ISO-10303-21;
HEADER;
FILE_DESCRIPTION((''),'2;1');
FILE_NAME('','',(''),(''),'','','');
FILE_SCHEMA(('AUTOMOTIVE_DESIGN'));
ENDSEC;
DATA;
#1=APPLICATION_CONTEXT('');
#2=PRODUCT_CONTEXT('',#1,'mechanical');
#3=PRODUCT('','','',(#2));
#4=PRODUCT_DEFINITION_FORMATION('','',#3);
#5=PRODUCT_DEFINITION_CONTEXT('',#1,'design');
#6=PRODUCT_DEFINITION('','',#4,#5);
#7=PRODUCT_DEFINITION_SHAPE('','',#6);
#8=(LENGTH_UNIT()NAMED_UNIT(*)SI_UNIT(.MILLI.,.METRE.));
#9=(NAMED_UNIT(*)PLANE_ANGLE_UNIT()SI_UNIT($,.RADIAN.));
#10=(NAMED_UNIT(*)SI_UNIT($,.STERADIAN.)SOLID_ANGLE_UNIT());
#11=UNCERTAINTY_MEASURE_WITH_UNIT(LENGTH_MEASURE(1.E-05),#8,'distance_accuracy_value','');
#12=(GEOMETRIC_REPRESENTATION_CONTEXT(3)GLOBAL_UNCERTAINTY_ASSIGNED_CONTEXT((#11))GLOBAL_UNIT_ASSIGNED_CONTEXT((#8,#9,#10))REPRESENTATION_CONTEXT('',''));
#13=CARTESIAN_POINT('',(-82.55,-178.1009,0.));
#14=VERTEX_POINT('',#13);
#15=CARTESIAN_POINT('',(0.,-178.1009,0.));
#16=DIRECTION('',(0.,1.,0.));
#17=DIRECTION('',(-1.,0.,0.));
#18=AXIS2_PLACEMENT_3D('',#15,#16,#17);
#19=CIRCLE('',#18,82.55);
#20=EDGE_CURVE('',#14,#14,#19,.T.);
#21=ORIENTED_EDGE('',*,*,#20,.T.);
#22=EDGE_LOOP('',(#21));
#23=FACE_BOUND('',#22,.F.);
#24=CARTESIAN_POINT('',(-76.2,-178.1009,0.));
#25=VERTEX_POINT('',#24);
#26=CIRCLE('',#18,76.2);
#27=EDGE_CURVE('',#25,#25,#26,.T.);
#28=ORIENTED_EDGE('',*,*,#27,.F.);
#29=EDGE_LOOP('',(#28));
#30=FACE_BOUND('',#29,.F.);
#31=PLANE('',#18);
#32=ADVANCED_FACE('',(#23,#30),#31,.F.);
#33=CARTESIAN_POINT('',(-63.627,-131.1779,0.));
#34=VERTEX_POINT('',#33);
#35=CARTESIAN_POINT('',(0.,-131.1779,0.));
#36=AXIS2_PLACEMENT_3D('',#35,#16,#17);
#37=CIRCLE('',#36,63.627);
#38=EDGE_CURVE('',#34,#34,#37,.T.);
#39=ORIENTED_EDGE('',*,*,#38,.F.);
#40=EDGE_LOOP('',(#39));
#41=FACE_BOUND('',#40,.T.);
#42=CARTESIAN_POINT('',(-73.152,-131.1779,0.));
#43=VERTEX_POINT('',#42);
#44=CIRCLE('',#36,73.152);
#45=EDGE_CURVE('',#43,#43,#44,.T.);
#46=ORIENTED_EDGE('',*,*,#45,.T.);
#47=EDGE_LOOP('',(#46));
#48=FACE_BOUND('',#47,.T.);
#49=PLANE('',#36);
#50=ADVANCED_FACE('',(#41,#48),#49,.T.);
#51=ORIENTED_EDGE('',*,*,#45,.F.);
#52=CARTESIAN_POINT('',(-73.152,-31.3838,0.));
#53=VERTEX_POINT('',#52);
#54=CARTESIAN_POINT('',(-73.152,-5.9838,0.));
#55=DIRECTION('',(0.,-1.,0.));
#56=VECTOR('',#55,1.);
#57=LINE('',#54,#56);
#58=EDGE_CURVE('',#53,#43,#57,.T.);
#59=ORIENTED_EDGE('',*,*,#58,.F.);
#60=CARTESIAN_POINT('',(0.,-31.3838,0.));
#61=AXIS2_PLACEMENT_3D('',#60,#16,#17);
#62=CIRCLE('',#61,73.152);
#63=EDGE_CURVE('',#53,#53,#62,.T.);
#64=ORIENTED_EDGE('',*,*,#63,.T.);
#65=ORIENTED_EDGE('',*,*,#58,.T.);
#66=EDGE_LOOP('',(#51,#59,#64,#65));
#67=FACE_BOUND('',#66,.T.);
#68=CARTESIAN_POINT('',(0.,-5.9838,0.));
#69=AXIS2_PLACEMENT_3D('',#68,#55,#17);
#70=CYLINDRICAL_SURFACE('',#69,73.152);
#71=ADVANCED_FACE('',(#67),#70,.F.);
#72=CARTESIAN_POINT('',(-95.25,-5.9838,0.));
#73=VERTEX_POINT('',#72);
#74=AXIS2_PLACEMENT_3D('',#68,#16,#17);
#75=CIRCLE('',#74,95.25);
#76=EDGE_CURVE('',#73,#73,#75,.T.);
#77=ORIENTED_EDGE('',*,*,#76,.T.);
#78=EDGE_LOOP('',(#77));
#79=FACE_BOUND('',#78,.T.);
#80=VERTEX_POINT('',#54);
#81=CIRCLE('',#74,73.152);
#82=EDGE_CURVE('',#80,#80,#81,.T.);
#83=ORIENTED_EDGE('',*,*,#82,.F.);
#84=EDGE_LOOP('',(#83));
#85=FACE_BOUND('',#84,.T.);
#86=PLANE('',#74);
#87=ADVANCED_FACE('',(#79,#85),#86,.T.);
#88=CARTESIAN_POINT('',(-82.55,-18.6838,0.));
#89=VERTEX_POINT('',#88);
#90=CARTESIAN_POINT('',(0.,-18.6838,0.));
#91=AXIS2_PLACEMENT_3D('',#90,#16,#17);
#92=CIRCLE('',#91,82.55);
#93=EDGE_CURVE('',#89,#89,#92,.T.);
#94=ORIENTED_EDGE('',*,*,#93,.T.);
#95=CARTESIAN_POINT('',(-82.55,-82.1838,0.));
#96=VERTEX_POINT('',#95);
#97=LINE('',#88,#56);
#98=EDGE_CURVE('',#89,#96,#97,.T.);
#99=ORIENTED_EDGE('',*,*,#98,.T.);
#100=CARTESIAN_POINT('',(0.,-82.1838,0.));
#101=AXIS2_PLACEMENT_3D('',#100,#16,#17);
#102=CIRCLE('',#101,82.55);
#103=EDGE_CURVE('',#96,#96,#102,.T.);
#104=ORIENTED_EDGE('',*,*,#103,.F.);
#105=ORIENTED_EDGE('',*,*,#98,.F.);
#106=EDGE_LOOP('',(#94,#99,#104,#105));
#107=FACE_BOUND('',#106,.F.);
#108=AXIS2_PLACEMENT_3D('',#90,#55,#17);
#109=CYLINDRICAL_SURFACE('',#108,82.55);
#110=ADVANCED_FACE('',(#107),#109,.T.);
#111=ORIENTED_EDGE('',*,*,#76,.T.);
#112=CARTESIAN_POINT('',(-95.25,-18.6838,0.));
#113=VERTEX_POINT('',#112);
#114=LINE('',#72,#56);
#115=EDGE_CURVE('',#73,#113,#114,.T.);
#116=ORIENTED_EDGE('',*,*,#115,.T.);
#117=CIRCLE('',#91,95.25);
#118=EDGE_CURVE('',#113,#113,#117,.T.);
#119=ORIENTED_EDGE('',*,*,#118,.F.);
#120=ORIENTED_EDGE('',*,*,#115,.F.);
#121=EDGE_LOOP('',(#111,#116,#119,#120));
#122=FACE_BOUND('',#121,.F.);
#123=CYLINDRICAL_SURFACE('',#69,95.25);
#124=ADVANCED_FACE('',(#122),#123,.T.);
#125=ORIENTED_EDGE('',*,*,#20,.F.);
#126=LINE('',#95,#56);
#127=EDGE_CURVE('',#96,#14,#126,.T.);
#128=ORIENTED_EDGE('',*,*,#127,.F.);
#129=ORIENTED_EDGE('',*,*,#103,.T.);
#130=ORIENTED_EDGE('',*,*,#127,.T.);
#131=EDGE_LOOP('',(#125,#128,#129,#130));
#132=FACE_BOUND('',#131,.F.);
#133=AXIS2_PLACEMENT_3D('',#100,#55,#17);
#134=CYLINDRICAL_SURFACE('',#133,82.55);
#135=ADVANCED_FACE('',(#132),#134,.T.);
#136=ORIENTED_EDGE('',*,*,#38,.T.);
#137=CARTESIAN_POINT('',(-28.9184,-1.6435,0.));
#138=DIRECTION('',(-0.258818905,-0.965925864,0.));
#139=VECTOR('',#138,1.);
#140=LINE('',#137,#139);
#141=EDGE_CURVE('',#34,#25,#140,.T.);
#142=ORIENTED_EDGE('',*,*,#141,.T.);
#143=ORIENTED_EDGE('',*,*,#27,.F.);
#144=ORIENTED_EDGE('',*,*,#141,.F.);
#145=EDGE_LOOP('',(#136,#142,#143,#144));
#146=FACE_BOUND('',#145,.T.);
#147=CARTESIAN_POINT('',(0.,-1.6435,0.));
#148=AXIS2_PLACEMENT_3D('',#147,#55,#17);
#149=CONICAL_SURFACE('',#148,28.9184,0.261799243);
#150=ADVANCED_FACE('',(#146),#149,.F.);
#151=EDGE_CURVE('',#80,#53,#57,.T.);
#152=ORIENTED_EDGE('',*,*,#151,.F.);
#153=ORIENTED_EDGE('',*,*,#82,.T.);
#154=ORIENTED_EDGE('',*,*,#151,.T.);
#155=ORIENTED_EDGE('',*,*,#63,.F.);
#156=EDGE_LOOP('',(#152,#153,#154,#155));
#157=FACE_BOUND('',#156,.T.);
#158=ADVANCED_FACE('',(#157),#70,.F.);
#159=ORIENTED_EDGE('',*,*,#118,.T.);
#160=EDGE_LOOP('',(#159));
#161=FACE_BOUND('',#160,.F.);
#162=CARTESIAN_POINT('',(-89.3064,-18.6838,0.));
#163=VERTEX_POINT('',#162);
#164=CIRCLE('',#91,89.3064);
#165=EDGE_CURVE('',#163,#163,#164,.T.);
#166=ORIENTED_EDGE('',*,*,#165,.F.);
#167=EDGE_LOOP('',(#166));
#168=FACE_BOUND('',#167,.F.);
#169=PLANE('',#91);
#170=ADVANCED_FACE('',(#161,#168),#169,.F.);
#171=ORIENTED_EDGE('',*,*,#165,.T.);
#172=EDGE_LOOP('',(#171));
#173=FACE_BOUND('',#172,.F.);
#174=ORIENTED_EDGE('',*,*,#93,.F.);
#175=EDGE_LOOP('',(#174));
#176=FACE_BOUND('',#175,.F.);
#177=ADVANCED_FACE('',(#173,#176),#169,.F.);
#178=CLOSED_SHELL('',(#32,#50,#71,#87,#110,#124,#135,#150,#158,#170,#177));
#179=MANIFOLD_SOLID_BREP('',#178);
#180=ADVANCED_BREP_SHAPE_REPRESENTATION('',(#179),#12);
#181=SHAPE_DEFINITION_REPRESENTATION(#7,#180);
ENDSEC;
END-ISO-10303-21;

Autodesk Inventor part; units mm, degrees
ref_plane "YZ Plane" through (0, 0, 0) normal (1, 0, 0) x (0, 1, 0)
ref_plane "XZ Plane" through (0, 0, 0) normal (0, 1, 0) x (-1, 0, 0)
ref_plane "XY Plane" through (0, 0, 0) normal (0, 0, 1) x (1, 0, 0)
sketch "Sketch1" plane through (0, 0, 0) normal (0, 0, 1) x (1, 0, 0)
  arc A0 (-28.9184, -1.6435) -> (-32.3684, 5.7551) centre (-35.052, 0) ccw
  line L0 (-28.702, 47.5942) -> (-28.702, -124.4009) construction
  line L1 (-32.3684, 5.7551) -> (-88.9, 32.1162)
  line L2 (-28.9184, -1.6435) -> (-86.2301, -215.5338)
  line L3 (-46.4564, 12.3244) -> (-66.802, 12.3244)
  line L4 (-60.4508, -95.6256) -> (-54.1008, -95.6256)
  line L5 (-73.152, -5.9838) -> (-73.152, -131.1779)
  line L6 (-73.152, -131.1779) -> (-63.627, -131.1779)
  line L7 (58.5667, 38.1) -> (-194.088, 38.1) construction
  line L8 (-95.25, 6.7162) -> (-95.25, -5.9838)
  line L9 (-95.25, 6.7162) -> (-88.9, 6.7162)
  line L10 (-88.9, 6.7162) -> (-88.9, 32.1162)
  line L11 (-95.25, -5.9838) -> (-73.152, -5.9838)
  line L12 (-95.25, -5.9838) -> (-95.25, -18.6838)
  line L13 (-95.25, -18.6838) -> (-89.3064, -18.6838)
  line L14 (-89.3064, -18.6838) -> (-89.3064, -24.6274)
  line L15 (-89.3064, -24.6274) -> (-95.25, -24.6274)
  line L16 (-95.25, -24.6274) -> (-95.25, -82.1838)
  line L17 (-95.25, -82.1838) -> (-82.55, -82.1838)
  line L18 (-89.3064, -18.6838) -> (-82.55, -18.6838)
  line L19 (-82.55, -18.6838) -> (-82.55, -82.1838)
  line L20 (-95.25, -82.1838) -> (-101.6, -82.1838)
  line L21 (-66.802, 12.3244) -> (-66.802, -31.3838)
  line L22 (-66.802, -31.3838) -> (-60.4508, -95.6256)
  line L23 (-82.55, -178.1009) -> (-76.2, -178.1009)
  line L24 (-82.55, -82.1838) -> (-82.55, -178.1009)
  line L25 (-86.2301, -215.5338) -> (-89.4051, -215.5338)
  line L26 (-89.4051, -215.5338) -> (-101.6, -82.1838)
  line L27 (-69.977, -5.9838) -> (-69.977, -31.3838)
  line L28 (-69.977, -31.3838) -> (-73.152, -31.3838)
  line L29 (-69.977, -5.9838) -> (-66.802, -5.9838)
  line L30 (-101.6, -82.1838) -> (-28.702, -82.1838) construction
  line L31 (0, -210.5351) -> (0, 86.485) construction
  point P0 (0, 0)
  dimension "d0" = 12.7
  dimension "d1" = 28.702
  dimension "d3" = 15
  dimension "d4" = 6.35
  dimension "d9" = 38.1
  dimension "d11" = 12.7
  dimension "d13" = 95.25
  dimension "d14" = 6.35
  dimension "d15" = 25.4
  dimension "d17" = 12.7
  dimension "d18" = 5.9436
  dimension "d19" = 5.9436
  dimension "d20" = 12.7
  dimension "d22" = 107.95
  dimension "d23" = 63.5
  dimension "d25" = 25.4
  dimension "d26" = 6.35
  dimension "d27" = 133.35
  dimension "d28" = 3.175
  dimension "d29" = 101.6
  dimension "d30" = 6.35
  dimension "d31" = 25
  dimension "d32" = 44.45
  dimension "d33" = 3.175
  dimension "d34" = 20.3456
  dimension "d35" = 9.525
revolve "Revolution1" add sketch "Sketch1" angle 360 about axis through (0, -210.5351, 0) along (0, 1, 0) contours L2 L23 L24 L19 L18 L13 L12 L11 L5 L6
properties part number "aluminum_carrier" material "Aluminum 6061"
